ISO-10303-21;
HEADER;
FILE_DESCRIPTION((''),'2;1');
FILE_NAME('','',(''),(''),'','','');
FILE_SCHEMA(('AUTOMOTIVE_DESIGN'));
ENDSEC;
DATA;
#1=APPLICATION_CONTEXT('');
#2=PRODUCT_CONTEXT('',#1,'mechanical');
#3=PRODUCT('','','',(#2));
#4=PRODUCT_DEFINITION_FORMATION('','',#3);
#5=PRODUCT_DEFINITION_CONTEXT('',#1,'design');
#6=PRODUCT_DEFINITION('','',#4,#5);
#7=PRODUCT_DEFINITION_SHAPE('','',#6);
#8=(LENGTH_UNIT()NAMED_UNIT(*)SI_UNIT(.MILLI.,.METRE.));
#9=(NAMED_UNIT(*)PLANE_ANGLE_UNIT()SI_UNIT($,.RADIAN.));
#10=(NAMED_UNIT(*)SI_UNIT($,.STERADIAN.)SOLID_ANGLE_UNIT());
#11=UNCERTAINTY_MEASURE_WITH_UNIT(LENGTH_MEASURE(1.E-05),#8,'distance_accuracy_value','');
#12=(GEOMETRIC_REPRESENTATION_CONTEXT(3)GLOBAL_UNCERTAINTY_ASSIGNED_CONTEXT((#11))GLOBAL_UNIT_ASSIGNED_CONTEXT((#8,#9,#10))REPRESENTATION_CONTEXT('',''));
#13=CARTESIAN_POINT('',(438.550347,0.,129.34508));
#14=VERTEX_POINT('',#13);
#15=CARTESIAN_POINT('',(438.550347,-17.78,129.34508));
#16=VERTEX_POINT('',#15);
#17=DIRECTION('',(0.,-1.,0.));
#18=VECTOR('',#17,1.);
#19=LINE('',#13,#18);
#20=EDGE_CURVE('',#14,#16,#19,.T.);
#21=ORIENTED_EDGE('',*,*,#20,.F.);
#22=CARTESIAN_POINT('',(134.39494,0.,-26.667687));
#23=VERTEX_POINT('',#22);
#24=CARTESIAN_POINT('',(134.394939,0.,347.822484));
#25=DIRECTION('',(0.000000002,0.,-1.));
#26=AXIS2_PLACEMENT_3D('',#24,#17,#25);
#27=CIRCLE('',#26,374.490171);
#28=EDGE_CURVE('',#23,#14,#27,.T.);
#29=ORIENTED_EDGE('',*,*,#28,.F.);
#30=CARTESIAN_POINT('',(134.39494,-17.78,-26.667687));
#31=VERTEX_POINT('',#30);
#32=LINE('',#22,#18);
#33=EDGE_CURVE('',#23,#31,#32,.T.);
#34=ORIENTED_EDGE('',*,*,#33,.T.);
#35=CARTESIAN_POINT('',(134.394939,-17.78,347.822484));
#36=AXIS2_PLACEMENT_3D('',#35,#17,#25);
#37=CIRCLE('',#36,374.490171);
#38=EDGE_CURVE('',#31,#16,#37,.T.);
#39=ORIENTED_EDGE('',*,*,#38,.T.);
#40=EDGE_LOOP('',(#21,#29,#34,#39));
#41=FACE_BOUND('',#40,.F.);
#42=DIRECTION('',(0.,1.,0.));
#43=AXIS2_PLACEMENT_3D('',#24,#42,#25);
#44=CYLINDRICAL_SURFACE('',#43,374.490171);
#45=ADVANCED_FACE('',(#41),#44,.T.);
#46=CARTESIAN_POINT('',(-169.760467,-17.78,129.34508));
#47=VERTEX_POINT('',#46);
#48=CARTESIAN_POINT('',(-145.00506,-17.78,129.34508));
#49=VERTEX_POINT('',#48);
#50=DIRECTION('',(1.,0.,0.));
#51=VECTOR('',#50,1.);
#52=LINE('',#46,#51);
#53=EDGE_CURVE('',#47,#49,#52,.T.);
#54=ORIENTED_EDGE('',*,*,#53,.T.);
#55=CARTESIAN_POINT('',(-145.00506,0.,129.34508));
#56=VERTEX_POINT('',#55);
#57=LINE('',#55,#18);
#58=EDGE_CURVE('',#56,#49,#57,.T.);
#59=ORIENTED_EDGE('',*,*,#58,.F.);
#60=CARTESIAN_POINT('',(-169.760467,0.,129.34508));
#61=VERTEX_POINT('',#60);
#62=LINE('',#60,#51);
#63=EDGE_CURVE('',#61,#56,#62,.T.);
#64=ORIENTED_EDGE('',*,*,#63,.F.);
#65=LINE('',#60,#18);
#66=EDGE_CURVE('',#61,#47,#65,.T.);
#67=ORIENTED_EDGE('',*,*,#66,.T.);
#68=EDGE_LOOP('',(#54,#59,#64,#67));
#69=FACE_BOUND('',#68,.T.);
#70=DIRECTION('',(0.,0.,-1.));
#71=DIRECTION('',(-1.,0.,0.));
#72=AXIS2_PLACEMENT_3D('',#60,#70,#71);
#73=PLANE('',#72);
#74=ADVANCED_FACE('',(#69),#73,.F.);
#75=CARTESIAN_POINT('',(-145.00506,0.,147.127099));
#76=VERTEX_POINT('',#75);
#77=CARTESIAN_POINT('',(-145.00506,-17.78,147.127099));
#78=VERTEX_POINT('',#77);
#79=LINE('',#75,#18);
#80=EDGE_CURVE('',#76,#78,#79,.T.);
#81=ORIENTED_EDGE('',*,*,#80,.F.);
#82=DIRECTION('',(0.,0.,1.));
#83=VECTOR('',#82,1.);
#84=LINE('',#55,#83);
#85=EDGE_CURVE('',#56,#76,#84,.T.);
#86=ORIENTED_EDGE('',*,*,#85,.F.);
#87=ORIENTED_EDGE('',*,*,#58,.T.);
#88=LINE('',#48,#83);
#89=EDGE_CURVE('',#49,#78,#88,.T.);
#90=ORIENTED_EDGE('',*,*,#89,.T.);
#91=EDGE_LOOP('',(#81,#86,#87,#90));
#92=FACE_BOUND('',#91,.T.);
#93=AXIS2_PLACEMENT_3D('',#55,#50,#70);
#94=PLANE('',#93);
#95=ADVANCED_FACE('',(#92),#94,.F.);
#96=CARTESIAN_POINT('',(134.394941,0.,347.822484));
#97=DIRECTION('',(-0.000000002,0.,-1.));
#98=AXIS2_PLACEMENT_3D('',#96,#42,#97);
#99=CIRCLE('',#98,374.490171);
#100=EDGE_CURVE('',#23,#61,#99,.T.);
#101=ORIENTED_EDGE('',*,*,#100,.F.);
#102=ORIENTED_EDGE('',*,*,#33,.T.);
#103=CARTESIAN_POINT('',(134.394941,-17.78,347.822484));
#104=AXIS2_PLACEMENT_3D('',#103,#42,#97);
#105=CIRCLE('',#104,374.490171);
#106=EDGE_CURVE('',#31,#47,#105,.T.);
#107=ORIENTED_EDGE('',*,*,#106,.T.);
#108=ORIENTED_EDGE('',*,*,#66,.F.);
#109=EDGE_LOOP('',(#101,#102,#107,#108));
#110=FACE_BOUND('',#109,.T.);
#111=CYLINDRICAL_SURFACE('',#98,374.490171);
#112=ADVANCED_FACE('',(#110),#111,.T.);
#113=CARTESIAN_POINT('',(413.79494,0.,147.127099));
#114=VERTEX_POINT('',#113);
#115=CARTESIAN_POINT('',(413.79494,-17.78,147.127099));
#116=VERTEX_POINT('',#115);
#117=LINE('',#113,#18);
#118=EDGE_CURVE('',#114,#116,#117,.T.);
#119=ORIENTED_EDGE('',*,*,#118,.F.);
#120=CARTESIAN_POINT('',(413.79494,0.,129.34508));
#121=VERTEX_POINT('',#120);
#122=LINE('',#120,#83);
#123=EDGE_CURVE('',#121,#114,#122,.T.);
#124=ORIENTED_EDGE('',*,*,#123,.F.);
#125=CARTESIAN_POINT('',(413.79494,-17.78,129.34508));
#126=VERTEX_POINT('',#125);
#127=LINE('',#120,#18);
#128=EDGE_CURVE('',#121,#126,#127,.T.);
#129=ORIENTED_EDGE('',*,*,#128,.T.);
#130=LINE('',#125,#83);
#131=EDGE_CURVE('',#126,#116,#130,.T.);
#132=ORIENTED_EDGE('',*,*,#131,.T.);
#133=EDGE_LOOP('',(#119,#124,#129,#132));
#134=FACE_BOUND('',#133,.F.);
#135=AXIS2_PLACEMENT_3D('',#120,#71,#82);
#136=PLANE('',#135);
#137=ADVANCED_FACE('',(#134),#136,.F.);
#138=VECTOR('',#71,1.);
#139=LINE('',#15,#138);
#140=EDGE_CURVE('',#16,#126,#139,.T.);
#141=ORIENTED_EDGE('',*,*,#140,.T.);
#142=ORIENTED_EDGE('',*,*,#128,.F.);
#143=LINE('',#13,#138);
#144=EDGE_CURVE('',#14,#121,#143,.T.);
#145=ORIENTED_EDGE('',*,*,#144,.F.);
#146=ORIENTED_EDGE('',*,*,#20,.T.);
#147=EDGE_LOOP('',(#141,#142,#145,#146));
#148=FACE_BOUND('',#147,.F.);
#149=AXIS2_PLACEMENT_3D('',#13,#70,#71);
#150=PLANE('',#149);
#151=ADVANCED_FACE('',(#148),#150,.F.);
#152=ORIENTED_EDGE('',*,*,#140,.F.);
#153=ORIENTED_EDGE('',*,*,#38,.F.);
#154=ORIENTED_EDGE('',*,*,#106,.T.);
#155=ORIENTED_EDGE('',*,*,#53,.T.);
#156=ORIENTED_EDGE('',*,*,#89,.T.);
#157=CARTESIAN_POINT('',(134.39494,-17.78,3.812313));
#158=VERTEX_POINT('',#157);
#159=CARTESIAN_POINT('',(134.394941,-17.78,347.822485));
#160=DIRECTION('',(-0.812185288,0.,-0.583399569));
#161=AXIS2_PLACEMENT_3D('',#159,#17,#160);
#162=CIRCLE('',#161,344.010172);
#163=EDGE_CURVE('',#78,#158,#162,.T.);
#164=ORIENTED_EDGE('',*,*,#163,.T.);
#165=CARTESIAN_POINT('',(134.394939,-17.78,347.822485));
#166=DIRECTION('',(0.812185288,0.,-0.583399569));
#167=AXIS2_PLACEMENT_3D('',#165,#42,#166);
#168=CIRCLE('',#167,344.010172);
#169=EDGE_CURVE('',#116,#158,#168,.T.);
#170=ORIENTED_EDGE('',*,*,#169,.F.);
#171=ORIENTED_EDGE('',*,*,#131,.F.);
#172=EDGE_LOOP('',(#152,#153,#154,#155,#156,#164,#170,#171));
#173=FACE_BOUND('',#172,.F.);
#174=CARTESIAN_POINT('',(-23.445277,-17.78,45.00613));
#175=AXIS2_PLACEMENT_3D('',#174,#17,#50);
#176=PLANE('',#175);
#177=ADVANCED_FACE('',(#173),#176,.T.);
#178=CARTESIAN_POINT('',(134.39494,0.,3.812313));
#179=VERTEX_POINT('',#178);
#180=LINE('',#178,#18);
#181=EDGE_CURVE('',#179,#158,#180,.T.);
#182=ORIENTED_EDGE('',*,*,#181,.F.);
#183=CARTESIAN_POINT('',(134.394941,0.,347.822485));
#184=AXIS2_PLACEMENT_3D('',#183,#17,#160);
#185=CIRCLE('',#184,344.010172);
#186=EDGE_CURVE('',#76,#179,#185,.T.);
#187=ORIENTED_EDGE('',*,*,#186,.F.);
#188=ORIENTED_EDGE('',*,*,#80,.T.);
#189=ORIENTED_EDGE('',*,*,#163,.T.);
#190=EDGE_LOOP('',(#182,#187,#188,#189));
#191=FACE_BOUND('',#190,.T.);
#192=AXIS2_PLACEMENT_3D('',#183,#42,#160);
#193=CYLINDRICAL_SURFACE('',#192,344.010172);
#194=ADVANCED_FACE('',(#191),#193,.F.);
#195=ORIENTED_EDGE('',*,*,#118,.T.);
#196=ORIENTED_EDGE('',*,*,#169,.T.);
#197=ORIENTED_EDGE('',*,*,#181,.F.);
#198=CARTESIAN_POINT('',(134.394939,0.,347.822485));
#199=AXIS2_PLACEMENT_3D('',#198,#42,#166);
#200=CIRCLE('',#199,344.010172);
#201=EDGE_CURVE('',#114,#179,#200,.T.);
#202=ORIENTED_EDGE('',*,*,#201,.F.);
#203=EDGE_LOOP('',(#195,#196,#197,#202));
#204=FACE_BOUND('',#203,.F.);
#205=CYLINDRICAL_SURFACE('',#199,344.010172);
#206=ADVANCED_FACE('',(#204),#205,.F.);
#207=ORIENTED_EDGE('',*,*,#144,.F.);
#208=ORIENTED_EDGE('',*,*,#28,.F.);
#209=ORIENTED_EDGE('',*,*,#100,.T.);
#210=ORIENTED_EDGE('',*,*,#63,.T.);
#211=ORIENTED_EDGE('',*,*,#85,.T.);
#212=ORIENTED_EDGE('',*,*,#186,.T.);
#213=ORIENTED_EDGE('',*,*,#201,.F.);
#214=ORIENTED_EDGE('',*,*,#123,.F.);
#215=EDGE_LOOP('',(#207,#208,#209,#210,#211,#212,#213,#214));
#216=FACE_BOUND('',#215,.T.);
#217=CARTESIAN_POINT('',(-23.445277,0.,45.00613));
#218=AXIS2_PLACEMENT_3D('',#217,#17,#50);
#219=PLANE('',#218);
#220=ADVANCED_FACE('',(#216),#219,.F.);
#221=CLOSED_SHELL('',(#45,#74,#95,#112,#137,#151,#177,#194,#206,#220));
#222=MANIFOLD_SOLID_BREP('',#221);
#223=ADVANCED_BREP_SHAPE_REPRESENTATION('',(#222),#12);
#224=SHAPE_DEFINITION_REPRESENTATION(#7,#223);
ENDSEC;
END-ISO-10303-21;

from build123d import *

# Parameters (mm, degrees)
F1_DEPTH = 17.78


with BuildPart() as f1:
    # F0 (on Front) → F1 (new body)
    with BuildSketch(Plane.XZ):
        with BuildLine():
            ThreePointArc((413.79494, 147.127099), (291.400901, 41.730789), (134.39494, 3.812313))
            Line((134.39494, 3.812313), (134.39494, -26.667687))
            ThreePointArc((134.39494, -26.667687), (305.311948, 14.610443), (438.550347, 129.34508))
            Line((438.550347, 129.34508), (413.79494, 129.34508))
            Line((413.79494, 129.34508), (413.79494, 147.127099))
        make_face()
    extrude(amount=F1_DEPTH)

    # F2: F1 across face


with BuildPart() as f1_1:
    add(f1.part)
    add(f1.part.mirror(Plane(origin=(134.39494, -8.89, -11.427687), x_dir=(0, -1, 0), z_dir=(-1, 0, 0))))


solid = f1_1.part
